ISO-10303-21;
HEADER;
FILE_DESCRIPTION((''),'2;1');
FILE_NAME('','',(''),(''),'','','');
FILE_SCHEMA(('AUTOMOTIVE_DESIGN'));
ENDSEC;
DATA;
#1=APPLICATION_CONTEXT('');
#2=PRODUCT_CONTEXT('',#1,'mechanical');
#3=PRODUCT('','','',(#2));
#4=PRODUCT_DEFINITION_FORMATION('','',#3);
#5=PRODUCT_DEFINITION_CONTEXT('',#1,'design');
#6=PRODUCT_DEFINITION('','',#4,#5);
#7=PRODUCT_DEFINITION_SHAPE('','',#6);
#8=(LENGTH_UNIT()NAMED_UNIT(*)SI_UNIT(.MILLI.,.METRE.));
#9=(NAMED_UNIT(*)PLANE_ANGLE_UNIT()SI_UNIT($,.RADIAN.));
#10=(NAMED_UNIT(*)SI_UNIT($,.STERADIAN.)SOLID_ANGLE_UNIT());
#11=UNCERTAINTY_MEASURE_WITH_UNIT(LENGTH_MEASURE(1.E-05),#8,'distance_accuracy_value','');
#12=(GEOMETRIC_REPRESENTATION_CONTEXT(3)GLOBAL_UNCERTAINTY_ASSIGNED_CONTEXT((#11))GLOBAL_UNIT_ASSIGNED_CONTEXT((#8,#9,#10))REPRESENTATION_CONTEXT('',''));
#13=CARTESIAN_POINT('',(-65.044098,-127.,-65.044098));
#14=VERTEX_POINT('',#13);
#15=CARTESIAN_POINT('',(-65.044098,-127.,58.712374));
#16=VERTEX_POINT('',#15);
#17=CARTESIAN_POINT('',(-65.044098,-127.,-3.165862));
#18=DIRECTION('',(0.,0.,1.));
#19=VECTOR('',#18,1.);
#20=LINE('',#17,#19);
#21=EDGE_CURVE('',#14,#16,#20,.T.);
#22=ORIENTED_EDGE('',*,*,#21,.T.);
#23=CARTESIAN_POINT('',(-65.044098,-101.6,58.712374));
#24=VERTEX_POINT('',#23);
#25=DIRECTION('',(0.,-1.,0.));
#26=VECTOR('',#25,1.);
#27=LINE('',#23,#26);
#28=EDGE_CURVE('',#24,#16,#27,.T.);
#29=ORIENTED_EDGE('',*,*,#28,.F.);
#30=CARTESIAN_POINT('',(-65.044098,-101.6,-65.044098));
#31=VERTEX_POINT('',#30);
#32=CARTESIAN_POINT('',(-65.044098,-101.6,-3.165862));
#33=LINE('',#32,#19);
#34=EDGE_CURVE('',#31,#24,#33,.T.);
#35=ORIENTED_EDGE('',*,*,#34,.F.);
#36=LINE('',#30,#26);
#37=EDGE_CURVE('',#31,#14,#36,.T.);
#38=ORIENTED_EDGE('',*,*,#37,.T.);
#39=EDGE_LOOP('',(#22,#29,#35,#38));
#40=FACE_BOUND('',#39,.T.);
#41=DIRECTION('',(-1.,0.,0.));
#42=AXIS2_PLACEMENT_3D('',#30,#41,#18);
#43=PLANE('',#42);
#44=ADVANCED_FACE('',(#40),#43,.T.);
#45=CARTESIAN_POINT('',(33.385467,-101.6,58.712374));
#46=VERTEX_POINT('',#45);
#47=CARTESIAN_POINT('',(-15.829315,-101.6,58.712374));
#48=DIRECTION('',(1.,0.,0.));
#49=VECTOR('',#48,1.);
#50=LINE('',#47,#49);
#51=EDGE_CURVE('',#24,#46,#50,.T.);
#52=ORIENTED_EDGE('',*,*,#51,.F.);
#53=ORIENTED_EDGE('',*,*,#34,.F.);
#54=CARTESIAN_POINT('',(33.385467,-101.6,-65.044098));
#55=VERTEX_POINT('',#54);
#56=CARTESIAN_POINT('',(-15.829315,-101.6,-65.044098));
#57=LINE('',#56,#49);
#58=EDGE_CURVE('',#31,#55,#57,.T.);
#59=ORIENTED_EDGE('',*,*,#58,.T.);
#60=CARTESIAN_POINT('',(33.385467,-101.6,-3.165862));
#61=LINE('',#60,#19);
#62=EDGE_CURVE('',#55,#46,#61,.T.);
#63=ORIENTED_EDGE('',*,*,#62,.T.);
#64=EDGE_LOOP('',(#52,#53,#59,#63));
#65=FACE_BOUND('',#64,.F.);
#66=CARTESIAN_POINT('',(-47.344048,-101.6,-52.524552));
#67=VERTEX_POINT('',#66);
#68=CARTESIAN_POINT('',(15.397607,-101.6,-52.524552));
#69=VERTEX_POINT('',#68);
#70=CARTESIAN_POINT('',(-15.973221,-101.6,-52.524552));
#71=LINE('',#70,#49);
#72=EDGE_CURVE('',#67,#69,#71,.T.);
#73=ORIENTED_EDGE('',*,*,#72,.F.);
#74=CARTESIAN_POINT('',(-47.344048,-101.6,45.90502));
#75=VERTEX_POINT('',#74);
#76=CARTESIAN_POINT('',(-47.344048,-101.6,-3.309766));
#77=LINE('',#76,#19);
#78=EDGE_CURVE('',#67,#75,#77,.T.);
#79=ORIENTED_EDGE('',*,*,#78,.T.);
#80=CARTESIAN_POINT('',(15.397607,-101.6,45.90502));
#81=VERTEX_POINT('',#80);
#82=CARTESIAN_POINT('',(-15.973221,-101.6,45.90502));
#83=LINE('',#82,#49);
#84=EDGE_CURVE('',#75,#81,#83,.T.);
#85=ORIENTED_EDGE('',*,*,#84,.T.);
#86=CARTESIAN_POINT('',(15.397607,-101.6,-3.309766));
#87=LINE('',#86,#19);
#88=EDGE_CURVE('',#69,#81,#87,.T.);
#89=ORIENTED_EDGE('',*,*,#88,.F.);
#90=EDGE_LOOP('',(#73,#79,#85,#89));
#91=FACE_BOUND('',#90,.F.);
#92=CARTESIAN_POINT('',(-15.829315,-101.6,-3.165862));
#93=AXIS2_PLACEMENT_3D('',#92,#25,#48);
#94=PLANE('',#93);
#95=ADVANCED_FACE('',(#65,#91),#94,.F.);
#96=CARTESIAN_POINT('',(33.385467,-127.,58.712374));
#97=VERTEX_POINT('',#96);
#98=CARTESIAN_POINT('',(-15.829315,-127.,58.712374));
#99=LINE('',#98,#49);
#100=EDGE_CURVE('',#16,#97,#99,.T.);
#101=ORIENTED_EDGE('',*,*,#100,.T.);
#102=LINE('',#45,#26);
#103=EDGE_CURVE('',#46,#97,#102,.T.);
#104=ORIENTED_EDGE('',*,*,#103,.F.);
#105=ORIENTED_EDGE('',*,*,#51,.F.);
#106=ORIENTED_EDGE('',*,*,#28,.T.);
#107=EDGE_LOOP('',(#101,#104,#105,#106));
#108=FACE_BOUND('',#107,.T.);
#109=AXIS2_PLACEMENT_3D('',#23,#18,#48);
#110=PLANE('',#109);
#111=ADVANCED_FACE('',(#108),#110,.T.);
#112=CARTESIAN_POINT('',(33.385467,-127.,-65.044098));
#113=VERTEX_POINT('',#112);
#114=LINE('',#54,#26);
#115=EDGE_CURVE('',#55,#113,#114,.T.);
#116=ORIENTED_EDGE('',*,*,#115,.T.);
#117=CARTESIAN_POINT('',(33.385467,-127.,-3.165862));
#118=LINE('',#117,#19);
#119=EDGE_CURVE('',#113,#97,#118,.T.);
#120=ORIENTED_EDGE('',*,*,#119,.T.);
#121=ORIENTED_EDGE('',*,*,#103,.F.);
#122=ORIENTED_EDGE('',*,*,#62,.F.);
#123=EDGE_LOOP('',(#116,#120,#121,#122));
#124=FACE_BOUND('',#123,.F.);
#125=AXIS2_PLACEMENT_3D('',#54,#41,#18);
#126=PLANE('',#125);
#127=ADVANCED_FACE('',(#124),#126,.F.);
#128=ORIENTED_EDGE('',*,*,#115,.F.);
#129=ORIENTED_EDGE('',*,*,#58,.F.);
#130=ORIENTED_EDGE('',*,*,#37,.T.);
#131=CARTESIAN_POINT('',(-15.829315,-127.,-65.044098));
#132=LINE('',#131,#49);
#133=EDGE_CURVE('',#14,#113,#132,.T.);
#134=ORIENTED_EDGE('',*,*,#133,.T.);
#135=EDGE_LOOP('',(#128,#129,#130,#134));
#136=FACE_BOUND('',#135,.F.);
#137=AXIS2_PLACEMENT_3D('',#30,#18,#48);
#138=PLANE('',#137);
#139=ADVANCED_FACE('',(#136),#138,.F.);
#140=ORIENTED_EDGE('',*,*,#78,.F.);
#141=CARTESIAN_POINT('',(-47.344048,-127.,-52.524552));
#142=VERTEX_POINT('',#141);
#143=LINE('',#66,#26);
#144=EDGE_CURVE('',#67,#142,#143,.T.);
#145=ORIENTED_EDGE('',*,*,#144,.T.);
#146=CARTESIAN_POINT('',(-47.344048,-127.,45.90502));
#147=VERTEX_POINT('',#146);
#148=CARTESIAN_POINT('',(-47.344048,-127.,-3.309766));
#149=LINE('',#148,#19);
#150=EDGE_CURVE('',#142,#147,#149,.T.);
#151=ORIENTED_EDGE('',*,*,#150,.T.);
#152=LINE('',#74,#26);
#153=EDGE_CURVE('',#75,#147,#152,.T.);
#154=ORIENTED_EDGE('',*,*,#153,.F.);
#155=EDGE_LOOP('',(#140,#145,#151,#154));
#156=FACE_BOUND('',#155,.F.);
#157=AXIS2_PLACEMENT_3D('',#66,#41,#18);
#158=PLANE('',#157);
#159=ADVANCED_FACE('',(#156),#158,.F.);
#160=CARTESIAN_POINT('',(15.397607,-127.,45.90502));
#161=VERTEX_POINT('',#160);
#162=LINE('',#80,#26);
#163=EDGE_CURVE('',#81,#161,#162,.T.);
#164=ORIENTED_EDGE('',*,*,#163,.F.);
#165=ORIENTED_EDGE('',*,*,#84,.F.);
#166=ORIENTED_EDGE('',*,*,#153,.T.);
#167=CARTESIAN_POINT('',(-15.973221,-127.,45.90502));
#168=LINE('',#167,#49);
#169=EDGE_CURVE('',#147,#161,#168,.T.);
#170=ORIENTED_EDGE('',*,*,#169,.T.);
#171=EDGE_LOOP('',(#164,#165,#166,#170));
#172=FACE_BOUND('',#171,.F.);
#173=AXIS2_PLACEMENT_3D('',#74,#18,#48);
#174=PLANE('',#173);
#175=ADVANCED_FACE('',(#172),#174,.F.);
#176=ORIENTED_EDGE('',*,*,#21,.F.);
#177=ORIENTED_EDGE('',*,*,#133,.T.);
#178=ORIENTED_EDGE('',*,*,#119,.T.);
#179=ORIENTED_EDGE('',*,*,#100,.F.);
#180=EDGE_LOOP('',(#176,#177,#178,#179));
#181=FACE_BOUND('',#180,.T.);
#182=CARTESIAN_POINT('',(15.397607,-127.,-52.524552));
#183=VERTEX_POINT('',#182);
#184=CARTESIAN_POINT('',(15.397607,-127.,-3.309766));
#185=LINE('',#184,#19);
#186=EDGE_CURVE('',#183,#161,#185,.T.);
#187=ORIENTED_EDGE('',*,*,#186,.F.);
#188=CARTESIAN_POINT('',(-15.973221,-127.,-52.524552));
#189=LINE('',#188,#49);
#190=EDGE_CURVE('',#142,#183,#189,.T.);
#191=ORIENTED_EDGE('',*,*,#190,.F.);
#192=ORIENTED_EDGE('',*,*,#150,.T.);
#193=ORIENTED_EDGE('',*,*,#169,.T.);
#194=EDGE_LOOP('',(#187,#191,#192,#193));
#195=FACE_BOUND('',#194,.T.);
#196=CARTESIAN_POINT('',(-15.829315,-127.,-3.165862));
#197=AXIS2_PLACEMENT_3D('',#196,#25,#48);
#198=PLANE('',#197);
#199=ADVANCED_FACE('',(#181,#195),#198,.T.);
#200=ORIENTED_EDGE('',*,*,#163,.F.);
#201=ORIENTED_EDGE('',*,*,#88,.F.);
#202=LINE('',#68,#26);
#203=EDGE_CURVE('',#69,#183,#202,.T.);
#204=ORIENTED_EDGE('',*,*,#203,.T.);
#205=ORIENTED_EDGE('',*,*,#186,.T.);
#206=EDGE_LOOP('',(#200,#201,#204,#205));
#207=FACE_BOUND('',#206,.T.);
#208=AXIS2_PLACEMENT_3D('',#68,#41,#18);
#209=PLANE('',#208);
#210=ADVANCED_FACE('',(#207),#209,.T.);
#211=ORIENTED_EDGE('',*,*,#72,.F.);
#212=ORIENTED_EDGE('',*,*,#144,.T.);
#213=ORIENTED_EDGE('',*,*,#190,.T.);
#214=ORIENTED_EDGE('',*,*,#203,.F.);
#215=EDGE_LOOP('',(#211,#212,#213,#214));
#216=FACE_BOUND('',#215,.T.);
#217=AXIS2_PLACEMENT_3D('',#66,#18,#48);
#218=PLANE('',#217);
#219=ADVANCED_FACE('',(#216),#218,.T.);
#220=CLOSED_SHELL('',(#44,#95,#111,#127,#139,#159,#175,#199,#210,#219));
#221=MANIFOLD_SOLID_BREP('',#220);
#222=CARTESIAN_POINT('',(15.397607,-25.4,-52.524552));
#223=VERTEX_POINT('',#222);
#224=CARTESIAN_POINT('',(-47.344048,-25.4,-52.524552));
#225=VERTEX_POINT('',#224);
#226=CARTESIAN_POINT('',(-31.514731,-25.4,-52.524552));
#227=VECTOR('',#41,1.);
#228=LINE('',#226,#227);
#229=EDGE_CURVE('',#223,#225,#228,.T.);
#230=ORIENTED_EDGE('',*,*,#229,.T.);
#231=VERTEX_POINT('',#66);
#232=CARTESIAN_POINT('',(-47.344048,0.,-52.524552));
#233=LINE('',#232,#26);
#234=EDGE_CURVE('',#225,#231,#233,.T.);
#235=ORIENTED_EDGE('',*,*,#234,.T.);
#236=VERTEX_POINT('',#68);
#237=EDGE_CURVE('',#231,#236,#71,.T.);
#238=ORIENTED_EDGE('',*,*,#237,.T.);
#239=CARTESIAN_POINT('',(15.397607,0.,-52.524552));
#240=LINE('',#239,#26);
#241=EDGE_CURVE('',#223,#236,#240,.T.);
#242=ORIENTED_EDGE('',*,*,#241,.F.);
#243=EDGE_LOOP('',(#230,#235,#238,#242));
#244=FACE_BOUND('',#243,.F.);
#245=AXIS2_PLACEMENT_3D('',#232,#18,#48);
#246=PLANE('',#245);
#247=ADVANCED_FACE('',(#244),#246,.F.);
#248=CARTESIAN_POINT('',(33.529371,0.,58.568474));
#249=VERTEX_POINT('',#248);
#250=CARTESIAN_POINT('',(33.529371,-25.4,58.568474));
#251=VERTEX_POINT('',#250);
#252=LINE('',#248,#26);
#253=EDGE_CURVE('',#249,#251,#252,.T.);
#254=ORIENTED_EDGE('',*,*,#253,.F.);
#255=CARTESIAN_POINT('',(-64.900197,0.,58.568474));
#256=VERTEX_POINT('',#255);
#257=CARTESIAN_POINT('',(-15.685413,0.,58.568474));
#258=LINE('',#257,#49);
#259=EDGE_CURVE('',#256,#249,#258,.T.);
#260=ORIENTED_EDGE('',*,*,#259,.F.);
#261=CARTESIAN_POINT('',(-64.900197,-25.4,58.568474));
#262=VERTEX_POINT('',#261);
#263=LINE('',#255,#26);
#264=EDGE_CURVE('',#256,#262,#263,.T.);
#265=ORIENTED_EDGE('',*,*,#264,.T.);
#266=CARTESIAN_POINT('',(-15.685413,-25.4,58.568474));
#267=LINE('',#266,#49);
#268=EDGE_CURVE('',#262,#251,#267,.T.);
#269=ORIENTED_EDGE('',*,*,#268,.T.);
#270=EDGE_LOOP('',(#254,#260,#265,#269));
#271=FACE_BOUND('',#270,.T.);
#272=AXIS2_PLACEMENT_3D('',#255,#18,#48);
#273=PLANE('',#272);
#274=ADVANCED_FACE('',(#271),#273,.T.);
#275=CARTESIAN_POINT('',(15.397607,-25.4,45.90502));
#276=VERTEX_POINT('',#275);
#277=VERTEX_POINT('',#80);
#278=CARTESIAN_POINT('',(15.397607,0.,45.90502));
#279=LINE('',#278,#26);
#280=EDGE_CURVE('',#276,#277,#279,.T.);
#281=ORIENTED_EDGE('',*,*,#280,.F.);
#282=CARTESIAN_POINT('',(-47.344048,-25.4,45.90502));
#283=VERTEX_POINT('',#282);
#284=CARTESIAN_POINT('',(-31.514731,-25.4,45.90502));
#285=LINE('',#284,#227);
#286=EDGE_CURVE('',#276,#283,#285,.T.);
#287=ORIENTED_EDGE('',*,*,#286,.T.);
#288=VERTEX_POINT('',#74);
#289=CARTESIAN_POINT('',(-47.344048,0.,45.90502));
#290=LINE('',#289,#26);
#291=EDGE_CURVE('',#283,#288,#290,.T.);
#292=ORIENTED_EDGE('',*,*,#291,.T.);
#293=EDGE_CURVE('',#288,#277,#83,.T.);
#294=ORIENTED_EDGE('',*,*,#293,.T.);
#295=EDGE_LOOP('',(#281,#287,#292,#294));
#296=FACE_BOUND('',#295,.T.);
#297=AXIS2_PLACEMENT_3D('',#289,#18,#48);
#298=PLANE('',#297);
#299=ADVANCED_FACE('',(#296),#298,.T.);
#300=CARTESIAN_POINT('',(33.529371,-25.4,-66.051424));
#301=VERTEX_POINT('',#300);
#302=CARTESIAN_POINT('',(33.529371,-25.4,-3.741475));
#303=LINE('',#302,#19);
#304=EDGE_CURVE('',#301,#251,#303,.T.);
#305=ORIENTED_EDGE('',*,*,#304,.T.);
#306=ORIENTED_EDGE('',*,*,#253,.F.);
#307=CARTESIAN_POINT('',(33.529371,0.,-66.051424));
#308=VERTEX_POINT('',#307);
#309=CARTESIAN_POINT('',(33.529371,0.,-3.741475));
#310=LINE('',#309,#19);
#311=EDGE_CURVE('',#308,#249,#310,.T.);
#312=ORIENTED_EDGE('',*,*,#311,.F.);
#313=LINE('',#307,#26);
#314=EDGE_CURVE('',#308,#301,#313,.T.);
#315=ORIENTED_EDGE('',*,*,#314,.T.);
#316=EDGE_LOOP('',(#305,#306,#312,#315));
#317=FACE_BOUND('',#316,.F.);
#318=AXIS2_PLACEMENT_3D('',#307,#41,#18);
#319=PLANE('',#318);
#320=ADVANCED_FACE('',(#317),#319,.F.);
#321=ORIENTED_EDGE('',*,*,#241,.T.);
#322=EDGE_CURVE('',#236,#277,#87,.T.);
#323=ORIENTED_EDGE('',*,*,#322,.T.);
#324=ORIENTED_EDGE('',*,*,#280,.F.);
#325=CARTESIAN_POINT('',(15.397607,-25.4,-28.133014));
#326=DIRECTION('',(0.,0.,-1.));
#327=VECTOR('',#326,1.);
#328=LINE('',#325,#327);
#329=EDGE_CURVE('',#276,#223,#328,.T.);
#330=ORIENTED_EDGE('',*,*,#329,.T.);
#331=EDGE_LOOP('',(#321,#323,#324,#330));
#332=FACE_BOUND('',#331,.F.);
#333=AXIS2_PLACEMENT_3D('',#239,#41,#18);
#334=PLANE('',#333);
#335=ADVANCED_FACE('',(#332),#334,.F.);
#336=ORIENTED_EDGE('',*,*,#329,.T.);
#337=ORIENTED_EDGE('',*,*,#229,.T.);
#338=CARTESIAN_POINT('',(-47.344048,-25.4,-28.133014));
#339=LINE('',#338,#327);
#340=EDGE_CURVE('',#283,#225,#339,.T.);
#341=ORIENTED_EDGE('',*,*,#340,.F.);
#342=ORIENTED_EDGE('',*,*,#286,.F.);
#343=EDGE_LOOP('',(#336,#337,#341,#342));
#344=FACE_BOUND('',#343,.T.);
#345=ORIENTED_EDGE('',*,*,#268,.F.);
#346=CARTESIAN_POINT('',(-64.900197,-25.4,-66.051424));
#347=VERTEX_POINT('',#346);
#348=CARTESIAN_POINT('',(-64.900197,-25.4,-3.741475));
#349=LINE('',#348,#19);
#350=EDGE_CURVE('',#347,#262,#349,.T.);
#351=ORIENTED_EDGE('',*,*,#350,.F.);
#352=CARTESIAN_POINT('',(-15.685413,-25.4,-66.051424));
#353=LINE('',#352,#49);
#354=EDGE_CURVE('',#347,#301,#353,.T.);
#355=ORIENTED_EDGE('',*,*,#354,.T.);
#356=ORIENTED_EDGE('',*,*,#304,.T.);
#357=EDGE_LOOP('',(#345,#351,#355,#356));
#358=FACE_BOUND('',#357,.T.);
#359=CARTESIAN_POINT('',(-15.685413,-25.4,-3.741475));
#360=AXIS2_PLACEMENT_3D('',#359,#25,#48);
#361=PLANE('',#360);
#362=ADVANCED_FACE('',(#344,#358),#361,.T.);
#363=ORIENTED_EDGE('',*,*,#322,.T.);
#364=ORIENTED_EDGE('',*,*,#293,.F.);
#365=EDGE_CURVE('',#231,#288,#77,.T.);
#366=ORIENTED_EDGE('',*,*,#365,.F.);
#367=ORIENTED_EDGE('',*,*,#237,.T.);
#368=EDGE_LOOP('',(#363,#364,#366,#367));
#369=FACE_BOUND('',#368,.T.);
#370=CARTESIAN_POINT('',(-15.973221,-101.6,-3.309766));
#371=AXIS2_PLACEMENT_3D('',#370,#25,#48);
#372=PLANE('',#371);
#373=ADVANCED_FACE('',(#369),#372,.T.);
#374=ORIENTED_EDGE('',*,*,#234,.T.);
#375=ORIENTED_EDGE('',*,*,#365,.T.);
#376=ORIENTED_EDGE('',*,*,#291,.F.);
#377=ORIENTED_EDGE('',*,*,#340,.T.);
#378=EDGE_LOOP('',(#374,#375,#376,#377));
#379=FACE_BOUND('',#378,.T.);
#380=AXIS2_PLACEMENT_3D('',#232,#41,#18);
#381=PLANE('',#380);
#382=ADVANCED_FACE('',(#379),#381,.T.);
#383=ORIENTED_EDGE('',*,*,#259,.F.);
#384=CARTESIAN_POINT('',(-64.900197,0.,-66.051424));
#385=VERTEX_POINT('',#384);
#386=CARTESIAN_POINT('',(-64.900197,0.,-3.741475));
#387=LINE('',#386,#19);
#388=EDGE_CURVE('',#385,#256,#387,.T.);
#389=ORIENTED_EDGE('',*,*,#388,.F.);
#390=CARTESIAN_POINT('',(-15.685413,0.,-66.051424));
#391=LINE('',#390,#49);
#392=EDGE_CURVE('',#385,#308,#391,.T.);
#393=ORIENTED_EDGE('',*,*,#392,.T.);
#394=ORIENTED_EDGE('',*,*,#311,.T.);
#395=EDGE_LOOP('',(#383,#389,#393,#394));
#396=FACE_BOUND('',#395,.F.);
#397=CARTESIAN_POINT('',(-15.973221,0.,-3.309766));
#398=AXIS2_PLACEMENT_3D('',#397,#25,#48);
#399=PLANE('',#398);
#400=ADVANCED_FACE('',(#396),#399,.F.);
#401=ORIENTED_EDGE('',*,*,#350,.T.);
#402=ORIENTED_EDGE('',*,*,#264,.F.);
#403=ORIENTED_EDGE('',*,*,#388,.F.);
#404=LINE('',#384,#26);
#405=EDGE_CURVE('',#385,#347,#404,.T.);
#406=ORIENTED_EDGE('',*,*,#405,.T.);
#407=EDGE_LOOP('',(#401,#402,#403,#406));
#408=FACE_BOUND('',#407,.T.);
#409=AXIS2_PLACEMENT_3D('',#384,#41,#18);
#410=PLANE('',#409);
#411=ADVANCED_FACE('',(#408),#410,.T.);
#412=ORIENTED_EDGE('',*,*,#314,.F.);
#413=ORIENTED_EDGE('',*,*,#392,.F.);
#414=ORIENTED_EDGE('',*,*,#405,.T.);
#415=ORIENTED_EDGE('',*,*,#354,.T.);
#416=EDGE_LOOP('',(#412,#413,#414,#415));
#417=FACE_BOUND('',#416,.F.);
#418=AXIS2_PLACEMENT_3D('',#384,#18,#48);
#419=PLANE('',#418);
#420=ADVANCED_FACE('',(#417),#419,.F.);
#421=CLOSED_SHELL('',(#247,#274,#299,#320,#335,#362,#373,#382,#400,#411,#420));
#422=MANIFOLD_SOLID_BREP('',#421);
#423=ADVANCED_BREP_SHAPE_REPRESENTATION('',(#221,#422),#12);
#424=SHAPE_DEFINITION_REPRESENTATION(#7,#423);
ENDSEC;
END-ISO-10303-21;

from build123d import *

# Parameters (mm, degrees)
F0_W     = 98.429568
F0_H     = 124.619898
F1_DEPTH = 25.4
F2_W     = 62.741655
F2_H     = 98.429572
F3_DEPTH = 101.6
F4_W     = 98.429565
F4_H     = 123.756472
F4_W_2   = 62.741655
F4_H_2   = 98.429572
F5_DEPTH = 25.4


with BuildPart() as f1:
    # F0 (on Front) → F1 (new body)
    with BuildSketch(Plane.XZ):
        with Locations((-15.685413, -3.741475)):
            Rectangle(F0_W, F0_H)
    extrude(amount=F1_DEPTH)

    # F2 (on Front) → F3 (join)
    with BuildSketch(Plane.XZ):
        with Locations((-15.973221, -3.309766)):
            Rectangle(F2_W, F2_H)
    extrude(amount=F3_DEPTH)


with BuildPart() as f5:
    # F4 (on face) → F5 (new body)
    with BuildSketch(Plane.XZ.offset(101.6)):
        with Locations((-15.829315, -3.165862)):
            Rectangle(F4_W, F4_H)
        with Locations((-15.973221, -3.309766)):
            Rectangle(F4_W_2, F4_H_2, mode=Mode.SUBTRACT)
    extrude(amount=F5_DEPTH)


solid = Compound([f1.part, f5.part])
